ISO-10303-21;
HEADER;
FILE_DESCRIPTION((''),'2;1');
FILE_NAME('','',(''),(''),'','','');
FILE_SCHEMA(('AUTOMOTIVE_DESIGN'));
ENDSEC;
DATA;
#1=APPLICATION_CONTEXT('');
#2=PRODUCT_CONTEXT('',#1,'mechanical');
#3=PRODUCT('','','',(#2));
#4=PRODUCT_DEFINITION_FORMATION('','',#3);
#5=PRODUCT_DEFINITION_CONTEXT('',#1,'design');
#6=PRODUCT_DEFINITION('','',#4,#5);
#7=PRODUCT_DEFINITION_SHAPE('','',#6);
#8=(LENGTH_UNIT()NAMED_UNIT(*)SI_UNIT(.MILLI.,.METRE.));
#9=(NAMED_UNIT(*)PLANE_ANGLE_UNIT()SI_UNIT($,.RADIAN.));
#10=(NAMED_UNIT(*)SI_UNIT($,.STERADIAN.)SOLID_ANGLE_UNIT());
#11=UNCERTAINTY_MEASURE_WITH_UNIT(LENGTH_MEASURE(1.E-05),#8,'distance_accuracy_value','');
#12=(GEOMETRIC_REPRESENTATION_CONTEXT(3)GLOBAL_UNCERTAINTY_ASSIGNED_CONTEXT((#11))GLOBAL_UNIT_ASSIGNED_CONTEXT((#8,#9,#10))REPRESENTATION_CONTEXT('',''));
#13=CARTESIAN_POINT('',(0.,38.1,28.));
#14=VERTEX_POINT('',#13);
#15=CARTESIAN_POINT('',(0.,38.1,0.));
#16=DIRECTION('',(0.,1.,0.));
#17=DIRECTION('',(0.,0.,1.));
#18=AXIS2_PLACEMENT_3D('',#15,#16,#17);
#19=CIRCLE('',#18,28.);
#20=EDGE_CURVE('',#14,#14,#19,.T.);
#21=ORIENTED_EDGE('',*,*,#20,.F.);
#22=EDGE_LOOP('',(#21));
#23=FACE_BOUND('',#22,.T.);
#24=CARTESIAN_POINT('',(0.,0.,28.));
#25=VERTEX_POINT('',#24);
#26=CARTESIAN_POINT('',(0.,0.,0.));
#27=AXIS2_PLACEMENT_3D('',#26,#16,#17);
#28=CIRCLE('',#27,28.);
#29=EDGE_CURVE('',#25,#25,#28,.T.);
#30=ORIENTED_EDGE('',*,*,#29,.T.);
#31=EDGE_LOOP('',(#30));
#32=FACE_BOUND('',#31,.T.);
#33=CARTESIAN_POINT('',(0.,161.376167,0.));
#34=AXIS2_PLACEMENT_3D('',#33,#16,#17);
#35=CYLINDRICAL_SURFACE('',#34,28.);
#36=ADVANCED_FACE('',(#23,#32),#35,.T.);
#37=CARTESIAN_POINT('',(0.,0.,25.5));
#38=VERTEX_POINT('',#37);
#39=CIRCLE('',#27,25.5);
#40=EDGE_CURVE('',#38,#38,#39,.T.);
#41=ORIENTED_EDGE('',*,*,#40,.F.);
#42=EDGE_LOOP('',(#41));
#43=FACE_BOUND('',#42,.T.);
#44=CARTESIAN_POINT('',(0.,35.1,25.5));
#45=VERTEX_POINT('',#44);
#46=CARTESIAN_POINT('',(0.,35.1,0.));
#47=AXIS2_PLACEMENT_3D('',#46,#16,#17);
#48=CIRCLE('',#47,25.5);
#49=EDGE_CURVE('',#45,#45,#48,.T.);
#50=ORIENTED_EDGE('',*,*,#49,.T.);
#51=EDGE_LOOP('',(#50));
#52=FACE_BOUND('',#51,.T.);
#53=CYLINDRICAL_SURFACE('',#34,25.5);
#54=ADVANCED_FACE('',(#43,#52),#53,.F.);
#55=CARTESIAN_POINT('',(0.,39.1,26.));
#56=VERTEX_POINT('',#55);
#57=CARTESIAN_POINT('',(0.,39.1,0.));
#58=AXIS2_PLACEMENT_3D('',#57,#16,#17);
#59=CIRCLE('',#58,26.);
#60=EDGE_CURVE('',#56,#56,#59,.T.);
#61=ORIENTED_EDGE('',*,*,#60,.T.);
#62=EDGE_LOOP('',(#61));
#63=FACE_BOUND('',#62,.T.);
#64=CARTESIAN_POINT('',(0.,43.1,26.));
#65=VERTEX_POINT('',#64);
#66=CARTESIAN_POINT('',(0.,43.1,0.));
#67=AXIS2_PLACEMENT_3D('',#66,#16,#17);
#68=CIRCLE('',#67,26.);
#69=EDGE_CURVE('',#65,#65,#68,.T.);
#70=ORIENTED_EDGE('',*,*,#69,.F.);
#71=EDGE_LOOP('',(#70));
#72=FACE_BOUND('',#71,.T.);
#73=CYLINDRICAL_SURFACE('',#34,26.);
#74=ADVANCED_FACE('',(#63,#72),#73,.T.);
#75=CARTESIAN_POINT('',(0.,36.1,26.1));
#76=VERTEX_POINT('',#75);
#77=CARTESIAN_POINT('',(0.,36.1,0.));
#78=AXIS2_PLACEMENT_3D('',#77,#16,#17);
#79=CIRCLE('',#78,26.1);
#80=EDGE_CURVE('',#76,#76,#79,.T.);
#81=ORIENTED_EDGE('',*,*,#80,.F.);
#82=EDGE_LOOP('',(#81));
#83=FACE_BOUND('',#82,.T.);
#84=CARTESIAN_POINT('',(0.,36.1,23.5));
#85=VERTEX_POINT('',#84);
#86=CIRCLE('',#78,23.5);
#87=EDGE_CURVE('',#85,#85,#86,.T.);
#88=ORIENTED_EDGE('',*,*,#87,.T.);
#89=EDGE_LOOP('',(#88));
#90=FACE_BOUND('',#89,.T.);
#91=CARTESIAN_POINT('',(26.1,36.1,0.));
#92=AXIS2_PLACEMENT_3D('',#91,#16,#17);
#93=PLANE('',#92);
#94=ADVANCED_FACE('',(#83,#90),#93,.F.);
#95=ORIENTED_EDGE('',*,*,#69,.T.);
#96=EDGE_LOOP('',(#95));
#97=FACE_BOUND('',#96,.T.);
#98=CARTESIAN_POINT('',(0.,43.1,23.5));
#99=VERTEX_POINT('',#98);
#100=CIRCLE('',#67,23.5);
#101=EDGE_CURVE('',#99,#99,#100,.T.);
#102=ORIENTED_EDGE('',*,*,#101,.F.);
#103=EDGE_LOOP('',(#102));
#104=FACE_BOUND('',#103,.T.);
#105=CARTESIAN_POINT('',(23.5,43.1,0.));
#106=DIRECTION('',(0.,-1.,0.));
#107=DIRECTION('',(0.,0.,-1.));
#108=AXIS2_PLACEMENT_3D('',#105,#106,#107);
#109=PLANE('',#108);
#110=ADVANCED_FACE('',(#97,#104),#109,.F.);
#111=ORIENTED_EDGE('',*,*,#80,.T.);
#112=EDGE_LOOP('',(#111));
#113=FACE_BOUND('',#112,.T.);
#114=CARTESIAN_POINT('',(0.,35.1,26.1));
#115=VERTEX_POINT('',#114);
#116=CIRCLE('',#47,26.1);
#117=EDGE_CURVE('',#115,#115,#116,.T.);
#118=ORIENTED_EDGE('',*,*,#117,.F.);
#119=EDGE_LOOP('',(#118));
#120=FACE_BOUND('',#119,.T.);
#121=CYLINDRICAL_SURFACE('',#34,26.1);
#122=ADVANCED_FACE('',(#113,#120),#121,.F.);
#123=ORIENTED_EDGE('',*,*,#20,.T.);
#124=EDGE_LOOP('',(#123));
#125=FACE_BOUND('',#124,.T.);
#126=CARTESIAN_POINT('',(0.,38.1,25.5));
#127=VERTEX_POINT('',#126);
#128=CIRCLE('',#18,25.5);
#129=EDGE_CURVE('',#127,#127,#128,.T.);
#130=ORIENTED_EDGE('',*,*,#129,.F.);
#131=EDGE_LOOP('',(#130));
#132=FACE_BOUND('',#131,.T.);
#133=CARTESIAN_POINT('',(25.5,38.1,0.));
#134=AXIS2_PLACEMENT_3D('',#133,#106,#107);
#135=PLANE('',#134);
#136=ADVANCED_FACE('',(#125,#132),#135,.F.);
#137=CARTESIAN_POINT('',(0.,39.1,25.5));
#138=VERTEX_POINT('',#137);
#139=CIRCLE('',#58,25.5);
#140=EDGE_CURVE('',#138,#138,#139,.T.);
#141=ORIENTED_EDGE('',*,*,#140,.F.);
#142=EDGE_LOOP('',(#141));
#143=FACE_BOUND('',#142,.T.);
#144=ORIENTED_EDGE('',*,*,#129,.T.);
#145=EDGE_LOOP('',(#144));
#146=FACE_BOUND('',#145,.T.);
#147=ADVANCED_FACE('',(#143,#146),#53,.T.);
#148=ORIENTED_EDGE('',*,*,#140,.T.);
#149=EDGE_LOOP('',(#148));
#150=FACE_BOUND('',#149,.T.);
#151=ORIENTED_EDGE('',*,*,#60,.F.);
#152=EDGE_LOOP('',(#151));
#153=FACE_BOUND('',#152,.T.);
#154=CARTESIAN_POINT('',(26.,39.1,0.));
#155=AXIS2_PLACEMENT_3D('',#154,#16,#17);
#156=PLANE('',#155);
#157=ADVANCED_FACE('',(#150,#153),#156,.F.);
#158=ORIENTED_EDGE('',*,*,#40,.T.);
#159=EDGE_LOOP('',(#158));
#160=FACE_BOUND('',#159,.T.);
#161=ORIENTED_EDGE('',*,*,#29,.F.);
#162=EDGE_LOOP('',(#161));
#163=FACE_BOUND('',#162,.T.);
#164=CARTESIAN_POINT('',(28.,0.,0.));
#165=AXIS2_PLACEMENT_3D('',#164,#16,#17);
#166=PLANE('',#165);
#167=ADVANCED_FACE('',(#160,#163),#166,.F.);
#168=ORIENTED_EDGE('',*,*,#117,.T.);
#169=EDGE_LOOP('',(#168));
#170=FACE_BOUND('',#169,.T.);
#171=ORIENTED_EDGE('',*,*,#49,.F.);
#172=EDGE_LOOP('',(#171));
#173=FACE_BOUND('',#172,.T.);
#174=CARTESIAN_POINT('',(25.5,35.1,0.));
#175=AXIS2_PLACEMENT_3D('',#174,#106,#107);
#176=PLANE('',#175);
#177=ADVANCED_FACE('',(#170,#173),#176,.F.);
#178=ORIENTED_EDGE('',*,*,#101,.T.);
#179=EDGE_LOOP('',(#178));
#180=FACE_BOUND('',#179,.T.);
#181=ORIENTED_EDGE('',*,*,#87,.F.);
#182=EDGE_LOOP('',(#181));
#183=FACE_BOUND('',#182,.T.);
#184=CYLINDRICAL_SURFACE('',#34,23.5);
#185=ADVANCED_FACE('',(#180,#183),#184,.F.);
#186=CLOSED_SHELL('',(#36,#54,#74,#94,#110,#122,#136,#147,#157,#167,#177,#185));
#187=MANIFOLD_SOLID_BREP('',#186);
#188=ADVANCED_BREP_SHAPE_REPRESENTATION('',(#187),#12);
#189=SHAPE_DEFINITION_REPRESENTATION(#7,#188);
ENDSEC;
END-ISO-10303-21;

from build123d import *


with BuildPart() as part:
    # 草图1 → 旋转1 (revolve)
    with BuildSketch(Plane.XY, mode=Mode.PRIVATE) as revolve_1_sk:
        Polygon((23.5, 43.1), (26, 43.1), (26, 39.1), (25.5, 39.1), (25.5, 38.1), (28, 38.1), (28, 0), (25.5, 0), (25.5, 35.1), (26.1, 35.1), (26.1, 36.1), (23.5, 36.1), align=None)
    revolve(revolve_1_sk.sketch.rotate(Axis((0, 161.376166943, 0), (0, -1, 0)), 90), axis=Axis((0, 161.376166943, 0), (0, -1, 0)))  # turned: the seam where the file's is


solid = part.part
